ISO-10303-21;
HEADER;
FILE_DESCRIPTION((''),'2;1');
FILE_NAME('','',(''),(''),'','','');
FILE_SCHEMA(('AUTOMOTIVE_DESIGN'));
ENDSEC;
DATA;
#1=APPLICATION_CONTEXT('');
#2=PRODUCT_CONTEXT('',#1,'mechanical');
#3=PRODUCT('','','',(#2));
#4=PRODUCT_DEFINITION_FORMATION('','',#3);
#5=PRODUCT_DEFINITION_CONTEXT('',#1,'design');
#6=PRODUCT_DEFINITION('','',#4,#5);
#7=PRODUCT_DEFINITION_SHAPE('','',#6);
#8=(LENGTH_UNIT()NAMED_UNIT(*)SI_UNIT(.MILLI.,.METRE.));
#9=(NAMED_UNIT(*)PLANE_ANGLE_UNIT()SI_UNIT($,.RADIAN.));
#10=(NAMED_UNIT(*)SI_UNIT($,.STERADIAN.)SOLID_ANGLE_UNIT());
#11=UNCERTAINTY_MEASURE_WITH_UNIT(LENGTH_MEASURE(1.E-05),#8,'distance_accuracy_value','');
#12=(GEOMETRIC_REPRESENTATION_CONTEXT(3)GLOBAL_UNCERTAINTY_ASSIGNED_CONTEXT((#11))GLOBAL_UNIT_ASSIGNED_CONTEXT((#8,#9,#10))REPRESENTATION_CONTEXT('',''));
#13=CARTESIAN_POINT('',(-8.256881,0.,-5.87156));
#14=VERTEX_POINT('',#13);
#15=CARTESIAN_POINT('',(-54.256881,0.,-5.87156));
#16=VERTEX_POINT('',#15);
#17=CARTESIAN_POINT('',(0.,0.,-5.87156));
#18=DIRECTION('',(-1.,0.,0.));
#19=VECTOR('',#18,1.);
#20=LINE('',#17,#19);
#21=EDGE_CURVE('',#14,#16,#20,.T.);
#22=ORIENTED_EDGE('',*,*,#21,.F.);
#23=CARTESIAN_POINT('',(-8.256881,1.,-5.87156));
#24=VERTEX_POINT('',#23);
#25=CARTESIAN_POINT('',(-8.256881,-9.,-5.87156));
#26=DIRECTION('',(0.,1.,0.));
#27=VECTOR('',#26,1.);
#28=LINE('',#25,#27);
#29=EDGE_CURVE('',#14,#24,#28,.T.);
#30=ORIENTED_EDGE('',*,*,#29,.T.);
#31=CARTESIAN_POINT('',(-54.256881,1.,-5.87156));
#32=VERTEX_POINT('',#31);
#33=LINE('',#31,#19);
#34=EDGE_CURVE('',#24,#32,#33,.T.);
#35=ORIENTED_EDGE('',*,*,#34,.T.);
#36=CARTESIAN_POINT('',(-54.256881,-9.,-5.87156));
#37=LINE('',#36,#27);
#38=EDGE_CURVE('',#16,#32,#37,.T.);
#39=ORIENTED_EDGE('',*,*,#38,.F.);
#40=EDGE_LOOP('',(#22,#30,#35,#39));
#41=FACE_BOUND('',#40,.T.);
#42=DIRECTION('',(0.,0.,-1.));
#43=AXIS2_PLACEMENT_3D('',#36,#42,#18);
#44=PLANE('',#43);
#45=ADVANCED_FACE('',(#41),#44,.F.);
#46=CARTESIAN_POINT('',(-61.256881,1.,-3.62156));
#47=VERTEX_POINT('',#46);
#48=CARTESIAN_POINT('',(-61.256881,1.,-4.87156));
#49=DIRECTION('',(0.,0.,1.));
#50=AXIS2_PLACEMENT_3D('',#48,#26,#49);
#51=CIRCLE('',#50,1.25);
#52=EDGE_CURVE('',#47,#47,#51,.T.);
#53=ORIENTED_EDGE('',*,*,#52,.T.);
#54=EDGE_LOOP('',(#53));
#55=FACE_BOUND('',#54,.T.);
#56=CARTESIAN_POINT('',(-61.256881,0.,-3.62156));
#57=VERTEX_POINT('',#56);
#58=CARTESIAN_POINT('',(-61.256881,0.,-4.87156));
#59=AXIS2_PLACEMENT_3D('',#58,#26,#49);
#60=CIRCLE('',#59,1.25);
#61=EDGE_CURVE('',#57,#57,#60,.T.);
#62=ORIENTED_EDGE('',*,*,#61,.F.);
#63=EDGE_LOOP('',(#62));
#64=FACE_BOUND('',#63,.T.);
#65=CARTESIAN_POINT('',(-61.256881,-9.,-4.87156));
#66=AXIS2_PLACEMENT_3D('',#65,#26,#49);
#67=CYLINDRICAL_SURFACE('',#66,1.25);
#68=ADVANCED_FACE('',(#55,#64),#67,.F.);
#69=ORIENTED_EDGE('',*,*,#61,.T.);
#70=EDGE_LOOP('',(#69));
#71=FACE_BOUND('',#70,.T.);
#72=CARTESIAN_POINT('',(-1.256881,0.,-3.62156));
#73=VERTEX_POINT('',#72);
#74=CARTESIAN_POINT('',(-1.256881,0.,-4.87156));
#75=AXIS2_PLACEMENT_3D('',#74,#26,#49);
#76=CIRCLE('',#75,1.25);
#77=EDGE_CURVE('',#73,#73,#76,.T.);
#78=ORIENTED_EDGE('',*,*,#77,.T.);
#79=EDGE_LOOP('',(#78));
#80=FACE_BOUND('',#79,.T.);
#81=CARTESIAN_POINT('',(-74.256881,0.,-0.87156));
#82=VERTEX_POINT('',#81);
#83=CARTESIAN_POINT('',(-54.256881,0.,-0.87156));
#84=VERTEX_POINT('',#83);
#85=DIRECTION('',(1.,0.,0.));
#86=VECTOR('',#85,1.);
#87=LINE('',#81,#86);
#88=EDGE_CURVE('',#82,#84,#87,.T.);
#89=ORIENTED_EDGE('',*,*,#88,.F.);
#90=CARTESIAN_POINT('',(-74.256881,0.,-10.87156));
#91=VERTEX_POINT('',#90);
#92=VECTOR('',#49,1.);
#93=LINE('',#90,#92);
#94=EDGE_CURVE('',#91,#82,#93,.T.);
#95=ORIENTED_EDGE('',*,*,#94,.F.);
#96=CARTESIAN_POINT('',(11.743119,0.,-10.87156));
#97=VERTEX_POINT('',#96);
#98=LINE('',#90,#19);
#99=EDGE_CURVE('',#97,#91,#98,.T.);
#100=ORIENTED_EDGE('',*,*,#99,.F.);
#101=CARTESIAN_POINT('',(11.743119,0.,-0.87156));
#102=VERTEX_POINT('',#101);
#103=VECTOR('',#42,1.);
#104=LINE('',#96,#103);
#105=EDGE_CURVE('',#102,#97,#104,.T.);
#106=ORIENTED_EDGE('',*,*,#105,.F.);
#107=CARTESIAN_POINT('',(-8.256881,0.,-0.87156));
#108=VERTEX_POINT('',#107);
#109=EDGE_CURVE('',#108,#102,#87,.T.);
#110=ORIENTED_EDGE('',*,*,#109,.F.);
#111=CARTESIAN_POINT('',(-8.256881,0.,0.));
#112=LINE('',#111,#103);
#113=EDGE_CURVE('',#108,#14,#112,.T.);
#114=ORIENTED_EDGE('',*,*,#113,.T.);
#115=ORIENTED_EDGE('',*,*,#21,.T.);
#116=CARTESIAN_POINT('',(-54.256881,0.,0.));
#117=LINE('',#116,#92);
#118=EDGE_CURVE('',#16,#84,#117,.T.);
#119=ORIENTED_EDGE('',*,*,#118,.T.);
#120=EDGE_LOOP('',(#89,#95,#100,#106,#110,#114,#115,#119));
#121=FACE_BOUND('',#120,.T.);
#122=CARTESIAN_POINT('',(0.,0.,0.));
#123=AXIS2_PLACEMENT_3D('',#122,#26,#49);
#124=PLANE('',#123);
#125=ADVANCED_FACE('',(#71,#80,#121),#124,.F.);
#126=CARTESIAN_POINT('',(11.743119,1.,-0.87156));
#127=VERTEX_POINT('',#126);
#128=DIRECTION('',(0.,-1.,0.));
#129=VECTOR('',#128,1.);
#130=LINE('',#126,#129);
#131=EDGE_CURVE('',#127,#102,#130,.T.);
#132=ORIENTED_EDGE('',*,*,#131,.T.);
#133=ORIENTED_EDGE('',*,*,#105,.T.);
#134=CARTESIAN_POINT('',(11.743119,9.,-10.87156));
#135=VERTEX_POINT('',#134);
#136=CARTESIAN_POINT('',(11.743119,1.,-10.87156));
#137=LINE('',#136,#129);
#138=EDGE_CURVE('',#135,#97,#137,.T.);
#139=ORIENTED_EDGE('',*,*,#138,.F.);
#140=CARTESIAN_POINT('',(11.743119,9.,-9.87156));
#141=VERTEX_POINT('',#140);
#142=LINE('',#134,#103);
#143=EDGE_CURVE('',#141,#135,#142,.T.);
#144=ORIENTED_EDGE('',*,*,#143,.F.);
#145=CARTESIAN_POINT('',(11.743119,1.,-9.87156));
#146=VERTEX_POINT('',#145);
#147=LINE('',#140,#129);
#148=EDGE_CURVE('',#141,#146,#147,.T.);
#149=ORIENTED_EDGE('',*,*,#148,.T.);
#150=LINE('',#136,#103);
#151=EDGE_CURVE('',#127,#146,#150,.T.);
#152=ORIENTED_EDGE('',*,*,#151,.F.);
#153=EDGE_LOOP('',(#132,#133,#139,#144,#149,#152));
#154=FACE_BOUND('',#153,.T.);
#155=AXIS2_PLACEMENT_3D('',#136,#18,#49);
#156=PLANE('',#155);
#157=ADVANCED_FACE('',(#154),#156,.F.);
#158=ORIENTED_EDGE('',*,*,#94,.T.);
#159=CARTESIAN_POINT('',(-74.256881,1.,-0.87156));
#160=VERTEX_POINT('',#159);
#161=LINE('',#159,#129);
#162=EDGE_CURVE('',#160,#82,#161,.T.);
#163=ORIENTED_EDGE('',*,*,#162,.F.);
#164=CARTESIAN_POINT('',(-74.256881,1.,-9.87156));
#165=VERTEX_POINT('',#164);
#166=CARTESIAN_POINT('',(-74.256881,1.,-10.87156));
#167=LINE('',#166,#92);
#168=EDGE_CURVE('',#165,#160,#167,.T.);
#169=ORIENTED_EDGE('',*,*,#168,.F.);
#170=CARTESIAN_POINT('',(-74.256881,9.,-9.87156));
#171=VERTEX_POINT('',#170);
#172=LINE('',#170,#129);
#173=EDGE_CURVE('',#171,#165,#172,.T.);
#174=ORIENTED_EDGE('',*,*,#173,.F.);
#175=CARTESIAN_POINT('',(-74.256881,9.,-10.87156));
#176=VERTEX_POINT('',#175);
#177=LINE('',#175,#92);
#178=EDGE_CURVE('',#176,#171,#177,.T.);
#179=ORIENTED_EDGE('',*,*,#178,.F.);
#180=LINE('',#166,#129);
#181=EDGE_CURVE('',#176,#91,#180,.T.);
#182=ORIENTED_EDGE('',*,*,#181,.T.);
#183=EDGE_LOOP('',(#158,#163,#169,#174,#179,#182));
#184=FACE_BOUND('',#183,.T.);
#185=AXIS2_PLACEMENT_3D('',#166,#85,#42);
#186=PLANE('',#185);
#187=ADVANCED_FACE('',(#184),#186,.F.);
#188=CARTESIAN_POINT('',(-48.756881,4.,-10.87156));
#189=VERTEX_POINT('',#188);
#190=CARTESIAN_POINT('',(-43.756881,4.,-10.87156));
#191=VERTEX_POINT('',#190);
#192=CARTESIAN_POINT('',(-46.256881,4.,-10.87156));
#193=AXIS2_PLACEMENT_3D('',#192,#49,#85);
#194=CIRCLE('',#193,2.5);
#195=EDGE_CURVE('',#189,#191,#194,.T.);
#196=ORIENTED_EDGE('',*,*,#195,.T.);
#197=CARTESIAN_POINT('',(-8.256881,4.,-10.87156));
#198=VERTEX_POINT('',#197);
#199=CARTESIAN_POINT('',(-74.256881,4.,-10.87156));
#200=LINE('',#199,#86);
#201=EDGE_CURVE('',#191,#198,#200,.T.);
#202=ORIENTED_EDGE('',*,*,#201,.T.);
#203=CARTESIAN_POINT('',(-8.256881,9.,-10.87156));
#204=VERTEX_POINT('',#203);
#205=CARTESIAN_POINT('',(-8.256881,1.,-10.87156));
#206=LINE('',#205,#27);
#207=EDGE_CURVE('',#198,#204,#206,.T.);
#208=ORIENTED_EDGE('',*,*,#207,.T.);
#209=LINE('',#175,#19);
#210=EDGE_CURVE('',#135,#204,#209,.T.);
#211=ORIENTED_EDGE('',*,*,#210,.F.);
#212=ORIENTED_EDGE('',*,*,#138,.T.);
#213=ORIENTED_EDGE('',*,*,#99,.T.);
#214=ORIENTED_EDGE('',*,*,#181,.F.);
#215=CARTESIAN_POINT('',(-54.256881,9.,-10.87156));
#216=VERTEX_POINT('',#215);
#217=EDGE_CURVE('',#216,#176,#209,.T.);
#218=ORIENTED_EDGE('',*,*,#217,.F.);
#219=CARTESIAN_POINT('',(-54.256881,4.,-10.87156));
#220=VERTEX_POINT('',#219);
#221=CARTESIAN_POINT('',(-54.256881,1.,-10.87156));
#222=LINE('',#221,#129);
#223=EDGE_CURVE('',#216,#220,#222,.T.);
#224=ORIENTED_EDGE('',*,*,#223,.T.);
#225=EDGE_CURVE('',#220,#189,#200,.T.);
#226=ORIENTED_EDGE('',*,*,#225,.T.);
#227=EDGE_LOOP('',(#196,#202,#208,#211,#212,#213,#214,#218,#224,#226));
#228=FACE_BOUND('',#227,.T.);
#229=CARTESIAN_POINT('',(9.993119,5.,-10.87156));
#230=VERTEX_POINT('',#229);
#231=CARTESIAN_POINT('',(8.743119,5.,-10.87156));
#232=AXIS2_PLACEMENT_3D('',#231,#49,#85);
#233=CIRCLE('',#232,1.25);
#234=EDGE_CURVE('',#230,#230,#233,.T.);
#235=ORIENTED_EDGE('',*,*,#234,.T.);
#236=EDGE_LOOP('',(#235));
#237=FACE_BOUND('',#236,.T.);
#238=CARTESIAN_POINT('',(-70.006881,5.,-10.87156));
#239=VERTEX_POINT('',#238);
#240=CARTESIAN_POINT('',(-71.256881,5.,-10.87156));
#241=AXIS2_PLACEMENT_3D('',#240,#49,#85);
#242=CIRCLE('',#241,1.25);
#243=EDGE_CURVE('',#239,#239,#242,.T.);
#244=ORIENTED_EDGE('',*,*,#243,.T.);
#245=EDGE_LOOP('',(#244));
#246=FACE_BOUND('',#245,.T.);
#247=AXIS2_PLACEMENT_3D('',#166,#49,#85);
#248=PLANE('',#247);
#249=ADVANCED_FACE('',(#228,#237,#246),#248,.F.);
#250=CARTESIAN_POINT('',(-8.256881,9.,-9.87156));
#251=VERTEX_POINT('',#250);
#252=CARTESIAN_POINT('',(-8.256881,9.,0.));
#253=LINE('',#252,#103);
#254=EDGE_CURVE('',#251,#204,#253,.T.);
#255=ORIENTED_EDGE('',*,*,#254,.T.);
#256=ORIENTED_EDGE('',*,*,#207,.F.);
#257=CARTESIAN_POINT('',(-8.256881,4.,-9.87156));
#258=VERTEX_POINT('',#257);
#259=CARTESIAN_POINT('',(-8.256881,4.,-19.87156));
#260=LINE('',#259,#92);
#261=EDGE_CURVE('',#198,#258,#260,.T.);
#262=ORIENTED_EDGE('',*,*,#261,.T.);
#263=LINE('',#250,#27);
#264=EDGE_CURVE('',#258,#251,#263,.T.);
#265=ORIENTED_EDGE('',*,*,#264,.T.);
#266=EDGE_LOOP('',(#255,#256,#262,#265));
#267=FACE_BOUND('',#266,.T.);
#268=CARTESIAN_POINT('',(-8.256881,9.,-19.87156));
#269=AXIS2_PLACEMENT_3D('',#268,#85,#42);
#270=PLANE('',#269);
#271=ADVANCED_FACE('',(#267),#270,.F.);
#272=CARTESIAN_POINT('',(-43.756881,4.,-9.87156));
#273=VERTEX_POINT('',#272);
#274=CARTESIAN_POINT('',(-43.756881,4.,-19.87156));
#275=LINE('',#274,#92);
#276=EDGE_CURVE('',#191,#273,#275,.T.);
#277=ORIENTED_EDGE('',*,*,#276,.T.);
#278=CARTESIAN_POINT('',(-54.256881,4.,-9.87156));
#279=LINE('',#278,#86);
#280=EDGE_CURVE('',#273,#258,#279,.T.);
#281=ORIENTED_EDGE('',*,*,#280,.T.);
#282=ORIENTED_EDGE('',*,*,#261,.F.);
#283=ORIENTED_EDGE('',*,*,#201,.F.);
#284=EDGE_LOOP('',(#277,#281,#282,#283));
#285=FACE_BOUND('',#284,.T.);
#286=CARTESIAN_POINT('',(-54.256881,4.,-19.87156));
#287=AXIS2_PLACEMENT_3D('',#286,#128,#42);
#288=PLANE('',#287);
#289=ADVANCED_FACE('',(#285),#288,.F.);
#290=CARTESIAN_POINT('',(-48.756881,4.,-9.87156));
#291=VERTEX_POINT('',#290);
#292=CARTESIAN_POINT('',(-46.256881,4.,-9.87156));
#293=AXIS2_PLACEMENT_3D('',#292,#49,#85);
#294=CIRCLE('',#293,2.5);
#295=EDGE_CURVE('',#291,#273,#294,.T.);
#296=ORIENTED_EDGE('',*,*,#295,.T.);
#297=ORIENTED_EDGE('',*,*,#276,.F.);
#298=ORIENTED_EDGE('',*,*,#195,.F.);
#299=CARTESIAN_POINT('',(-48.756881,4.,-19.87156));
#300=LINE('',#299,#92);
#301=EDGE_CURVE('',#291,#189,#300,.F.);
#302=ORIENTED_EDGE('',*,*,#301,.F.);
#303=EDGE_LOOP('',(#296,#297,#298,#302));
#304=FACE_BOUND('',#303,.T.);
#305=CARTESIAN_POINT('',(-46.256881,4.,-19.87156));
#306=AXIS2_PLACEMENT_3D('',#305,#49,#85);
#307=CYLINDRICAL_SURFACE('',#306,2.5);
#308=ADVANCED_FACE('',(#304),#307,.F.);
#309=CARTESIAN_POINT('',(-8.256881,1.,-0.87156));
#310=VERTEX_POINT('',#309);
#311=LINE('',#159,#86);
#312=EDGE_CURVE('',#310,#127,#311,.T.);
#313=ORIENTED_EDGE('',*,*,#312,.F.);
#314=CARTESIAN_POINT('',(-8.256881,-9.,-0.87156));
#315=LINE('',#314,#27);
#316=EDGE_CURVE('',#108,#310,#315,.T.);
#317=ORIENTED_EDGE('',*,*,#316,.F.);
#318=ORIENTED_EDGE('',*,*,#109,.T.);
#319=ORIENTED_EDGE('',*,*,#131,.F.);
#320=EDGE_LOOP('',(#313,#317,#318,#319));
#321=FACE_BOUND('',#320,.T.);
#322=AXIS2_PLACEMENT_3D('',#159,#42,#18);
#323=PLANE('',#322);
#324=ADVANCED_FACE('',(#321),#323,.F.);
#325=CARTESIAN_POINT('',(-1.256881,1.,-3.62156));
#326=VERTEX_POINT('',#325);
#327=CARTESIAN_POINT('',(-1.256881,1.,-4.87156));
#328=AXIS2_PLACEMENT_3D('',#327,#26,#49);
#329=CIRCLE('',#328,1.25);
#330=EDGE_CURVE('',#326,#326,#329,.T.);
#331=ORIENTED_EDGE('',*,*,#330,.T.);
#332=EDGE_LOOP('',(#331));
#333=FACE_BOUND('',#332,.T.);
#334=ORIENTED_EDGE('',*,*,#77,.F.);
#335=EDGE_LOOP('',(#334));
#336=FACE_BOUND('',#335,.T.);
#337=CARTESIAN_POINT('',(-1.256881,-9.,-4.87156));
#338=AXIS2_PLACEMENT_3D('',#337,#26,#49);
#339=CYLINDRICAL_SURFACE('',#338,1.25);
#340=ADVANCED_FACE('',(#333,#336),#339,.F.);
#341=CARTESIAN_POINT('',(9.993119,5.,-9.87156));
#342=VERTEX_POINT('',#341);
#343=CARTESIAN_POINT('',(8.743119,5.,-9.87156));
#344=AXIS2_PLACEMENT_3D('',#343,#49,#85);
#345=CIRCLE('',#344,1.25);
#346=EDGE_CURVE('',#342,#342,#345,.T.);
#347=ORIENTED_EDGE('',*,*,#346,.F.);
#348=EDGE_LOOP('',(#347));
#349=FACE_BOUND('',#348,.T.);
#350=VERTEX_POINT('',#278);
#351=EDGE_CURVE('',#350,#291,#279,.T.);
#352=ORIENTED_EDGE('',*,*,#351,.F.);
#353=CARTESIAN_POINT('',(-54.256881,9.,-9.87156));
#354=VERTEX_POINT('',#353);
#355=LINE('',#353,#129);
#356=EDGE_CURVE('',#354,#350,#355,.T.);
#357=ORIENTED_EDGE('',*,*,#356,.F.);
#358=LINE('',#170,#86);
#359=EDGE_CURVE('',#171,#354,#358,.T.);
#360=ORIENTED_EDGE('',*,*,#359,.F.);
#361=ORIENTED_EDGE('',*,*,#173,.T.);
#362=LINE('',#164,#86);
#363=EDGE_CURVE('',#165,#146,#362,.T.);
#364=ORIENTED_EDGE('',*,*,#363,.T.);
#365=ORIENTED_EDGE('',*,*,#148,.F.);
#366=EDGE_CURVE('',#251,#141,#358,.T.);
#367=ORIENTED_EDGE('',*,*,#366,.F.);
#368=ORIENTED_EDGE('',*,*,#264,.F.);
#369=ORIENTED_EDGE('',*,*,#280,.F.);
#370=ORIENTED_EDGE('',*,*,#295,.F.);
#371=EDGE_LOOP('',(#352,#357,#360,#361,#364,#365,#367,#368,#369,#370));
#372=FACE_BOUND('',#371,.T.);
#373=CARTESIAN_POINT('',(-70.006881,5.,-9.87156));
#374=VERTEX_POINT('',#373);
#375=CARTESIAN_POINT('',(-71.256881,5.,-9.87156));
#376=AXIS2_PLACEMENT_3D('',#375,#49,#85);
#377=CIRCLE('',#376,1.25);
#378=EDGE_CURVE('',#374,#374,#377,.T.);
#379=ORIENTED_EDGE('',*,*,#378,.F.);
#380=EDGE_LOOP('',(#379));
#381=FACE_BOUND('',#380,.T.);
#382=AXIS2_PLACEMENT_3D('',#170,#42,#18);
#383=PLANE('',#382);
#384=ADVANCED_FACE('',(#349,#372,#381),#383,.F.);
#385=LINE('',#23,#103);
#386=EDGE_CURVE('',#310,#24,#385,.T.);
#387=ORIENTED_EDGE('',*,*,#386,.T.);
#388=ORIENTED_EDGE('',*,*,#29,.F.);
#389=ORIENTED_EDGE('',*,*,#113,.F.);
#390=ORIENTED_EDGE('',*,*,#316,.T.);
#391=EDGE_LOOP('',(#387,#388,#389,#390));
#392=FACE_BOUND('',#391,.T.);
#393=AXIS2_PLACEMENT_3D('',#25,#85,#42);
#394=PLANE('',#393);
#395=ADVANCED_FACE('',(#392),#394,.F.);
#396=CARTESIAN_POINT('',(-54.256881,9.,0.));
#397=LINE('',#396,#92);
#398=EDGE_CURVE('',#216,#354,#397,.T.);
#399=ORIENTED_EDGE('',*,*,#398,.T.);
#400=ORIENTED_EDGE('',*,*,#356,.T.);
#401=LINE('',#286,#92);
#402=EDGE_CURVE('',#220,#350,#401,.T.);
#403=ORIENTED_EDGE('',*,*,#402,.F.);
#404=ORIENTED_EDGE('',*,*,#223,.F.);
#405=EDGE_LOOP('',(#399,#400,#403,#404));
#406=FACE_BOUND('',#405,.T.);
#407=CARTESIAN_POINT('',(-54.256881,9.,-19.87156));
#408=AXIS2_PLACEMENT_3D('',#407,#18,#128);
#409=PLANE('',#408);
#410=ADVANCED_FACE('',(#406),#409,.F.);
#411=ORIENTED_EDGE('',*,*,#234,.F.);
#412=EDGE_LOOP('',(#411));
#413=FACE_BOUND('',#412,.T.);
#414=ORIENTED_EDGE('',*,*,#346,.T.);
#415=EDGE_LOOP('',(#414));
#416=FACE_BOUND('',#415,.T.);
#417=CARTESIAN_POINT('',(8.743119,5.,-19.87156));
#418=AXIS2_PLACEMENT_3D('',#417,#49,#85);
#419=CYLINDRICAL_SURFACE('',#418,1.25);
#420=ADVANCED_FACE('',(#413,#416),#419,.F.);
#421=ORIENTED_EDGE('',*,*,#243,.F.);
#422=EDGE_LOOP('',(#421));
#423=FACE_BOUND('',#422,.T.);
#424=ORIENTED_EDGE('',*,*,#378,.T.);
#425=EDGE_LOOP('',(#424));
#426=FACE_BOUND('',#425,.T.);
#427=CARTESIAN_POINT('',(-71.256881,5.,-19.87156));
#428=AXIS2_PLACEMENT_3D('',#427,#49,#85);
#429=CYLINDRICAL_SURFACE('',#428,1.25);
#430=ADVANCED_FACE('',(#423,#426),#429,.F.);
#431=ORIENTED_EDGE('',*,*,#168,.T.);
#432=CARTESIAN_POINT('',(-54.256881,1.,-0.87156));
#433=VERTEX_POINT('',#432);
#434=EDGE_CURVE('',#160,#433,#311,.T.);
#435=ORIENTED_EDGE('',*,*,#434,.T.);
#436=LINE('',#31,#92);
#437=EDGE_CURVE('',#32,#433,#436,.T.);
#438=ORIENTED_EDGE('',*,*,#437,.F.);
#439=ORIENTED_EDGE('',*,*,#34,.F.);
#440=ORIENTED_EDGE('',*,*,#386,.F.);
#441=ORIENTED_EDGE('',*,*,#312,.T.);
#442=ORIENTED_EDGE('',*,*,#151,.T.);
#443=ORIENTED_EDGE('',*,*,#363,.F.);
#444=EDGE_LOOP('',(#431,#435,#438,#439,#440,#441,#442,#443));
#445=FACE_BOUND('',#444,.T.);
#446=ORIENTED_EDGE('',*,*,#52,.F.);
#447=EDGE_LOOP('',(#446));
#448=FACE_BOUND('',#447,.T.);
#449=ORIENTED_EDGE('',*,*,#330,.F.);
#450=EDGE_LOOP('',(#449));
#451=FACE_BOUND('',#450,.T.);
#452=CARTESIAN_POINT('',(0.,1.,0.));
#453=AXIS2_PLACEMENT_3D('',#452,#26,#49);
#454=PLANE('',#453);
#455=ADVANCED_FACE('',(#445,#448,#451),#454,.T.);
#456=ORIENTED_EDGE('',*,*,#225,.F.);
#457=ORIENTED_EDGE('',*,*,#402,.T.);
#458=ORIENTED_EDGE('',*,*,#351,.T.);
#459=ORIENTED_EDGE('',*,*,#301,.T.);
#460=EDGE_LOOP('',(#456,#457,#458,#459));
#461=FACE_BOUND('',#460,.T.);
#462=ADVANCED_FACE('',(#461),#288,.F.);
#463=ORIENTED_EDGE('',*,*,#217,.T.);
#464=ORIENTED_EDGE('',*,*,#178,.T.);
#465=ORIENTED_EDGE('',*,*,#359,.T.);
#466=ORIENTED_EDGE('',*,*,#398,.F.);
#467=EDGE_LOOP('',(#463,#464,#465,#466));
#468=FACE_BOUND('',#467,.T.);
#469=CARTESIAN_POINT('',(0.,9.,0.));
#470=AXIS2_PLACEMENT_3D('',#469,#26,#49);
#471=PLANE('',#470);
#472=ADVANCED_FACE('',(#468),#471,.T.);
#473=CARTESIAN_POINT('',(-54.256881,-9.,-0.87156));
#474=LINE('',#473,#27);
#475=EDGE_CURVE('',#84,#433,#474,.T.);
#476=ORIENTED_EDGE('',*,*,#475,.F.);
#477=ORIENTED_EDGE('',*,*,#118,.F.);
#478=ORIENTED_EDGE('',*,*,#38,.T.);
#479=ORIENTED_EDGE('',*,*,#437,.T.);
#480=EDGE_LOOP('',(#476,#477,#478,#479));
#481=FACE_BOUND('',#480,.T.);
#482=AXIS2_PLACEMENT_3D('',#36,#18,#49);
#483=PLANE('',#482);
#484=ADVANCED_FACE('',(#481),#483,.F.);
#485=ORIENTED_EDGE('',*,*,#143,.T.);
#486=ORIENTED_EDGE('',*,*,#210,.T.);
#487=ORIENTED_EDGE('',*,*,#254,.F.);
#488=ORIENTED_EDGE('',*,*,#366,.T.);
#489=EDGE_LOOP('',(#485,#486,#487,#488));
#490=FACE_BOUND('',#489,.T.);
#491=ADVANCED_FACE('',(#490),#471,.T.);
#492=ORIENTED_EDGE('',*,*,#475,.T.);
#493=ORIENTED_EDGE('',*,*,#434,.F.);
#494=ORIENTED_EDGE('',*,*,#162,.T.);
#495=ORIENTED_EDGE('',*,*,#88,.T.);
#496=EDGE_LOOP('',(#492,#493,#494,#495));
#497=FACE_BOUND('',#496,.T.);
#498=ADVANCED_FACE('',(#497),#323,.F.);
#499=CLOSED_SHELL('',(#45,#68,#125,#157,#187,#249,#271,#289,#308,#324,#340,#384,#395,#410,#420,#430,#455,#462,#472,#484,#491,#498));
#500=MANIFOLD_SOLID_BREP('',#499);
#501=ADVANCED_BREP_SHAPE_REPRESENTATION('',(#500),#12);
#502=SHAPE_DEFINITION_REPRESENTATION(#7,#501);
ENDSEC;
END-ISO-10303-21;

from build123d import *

# Parameters (mm, degrees)
ESQUISSE1_W             = 86
ESQUISSE1_H             = 10
BOSS_EXTRU_1_DEPTH      = 1
ESQUISSE2_W             = 86
ESQUISSE2_H             = 1
BOSS_EXTRU_2_DEPTH      = 8
ESQUISSE3_R             = 1.25
ENL_V_MAT_EXTRU_1_DEPTH = 10
ESQUISSE4_R             = 1.25
ENL_V_MAT_EXTRU_2_DEPTH = 10
ESQUISSE5_W             = 46
ESQUISSE5_H             = 5
ENL_V_MAT_EXTRU_3_DEPTH = 10
ESQUISSE6_W             = 46
ESQUISSE6_H             = 5
ENL_V_MAT_EXTRU_4_DEPTH = 10
ESQUISSE8_R             = 2.5
ENL_V_MAT_EXTRU_5_DEPTH = 10


with BuildPart() as part:
    # Esquisse1 → Boss.-Extru.1 (new body)
    with BuildSketch(Plane(origin=(0, 0, 0), x_dir=(1, 0, 0), z_dir=(0, 1, 0))):
        with Locations((-31.256880734, 5.871559633)):
            Rectangle(ESQUISSE1_W, ESQUISSE1_H)
    extrude(amount=BOSS_EXTRU_1_DEPTH)

    # Esquisse2 → Boss.-Extru.2 (add)
    with BuildSketch(Plane(origin=(0, 1, 0), x_dir=(1, 0, 0), z_dir=(0, 1, 0))):
        with Locations((-31.256880734, 10.371559633)):
            Rectangle(ESQUISSE2_W, ESQUISSE2_H)
    extrude(amount=BOSS_EXTRU_2_DEPTH)

    # Esquisse3 → Enlèv. mat.-Extru.1 (cut)
    with BuildSketch(Plane.XY.offset(-9.871559633)):
        with Locations((8.743119266, 5)):
            Circle(ESQUISSE3_R)
        with Locations((-71.256880734, 5)):
            Circle(ESQUISSE3_R)
    extrude(amount=-ENL_V_MAT_EXTRU_1_DEPTH, mode=Mode.SUBTRACT)

    # Esquisse4 → Enlèv. mat.-Extru.2 (cut)
    with BuildSketch(Plane(origin=(0, 1, 0), x_dir=(1, 0, 0), z_dir=(0, 1, 0))):
        with Locations(Location((-61.256880734, 4.871559633, 0), (0, 0, 270))):  # turned: the seam where the file's is
            Circle(ESQUISSE4_R)
        with Locations(Location((-1.256880734, 4.871559633, 0), (0, 0, 270))):  # turned: the seam where the file's is
            Circle(ESQUISSE4_R)
    extrude(amount=-ENL_V_MAT_EXTRU_2_DEPTH, mode=Mode.SUBTRACT)

    # Esquisse5 → Enlèv. mat.-Extru.3 (cut)
    with BuildSketch(Plane(origin=(0, 1, 0), x_dir=(1, 0, 0), z_dir=(0, 1, 0))):
        with Locations((-31.256880734, 3.371559633)):
            Rectangle(ESQUISSE5_W, ESQUISSE5_H)
    extrude(amount=-ENL_V_MAT_EXTRU_3_DEPTH, mode=Mode.SUBTRACT)

    # Esquisse6 → Enlèv. mat.-Extru.4 (cut)
    with BuildSketch(Plane.XY.offset(-9.871559633)):
        with Locations((-31.256880734, 6.5)):
            Rectangle(ESQUISSE6_W, ESQUISSE6_H)
    extrude(amount=-ENL_V_MAT_EXTRU_4_DEPTH, mode=Mode.SUBTRACT)

    # Esquisse8 → Enlèv. mat.-Extru.5 (cut)
    with BuildSketch(Plane.XY.offset(-9.871559633)):
        with Locations((-46.256880734, 4)):
            Circle(ESQUISSE8_R)
    extrude(amount=-ENL_V_MAT_EXTRU_5_DEPTH, mode=Mode.SUBTRACT)


solid = part.part
